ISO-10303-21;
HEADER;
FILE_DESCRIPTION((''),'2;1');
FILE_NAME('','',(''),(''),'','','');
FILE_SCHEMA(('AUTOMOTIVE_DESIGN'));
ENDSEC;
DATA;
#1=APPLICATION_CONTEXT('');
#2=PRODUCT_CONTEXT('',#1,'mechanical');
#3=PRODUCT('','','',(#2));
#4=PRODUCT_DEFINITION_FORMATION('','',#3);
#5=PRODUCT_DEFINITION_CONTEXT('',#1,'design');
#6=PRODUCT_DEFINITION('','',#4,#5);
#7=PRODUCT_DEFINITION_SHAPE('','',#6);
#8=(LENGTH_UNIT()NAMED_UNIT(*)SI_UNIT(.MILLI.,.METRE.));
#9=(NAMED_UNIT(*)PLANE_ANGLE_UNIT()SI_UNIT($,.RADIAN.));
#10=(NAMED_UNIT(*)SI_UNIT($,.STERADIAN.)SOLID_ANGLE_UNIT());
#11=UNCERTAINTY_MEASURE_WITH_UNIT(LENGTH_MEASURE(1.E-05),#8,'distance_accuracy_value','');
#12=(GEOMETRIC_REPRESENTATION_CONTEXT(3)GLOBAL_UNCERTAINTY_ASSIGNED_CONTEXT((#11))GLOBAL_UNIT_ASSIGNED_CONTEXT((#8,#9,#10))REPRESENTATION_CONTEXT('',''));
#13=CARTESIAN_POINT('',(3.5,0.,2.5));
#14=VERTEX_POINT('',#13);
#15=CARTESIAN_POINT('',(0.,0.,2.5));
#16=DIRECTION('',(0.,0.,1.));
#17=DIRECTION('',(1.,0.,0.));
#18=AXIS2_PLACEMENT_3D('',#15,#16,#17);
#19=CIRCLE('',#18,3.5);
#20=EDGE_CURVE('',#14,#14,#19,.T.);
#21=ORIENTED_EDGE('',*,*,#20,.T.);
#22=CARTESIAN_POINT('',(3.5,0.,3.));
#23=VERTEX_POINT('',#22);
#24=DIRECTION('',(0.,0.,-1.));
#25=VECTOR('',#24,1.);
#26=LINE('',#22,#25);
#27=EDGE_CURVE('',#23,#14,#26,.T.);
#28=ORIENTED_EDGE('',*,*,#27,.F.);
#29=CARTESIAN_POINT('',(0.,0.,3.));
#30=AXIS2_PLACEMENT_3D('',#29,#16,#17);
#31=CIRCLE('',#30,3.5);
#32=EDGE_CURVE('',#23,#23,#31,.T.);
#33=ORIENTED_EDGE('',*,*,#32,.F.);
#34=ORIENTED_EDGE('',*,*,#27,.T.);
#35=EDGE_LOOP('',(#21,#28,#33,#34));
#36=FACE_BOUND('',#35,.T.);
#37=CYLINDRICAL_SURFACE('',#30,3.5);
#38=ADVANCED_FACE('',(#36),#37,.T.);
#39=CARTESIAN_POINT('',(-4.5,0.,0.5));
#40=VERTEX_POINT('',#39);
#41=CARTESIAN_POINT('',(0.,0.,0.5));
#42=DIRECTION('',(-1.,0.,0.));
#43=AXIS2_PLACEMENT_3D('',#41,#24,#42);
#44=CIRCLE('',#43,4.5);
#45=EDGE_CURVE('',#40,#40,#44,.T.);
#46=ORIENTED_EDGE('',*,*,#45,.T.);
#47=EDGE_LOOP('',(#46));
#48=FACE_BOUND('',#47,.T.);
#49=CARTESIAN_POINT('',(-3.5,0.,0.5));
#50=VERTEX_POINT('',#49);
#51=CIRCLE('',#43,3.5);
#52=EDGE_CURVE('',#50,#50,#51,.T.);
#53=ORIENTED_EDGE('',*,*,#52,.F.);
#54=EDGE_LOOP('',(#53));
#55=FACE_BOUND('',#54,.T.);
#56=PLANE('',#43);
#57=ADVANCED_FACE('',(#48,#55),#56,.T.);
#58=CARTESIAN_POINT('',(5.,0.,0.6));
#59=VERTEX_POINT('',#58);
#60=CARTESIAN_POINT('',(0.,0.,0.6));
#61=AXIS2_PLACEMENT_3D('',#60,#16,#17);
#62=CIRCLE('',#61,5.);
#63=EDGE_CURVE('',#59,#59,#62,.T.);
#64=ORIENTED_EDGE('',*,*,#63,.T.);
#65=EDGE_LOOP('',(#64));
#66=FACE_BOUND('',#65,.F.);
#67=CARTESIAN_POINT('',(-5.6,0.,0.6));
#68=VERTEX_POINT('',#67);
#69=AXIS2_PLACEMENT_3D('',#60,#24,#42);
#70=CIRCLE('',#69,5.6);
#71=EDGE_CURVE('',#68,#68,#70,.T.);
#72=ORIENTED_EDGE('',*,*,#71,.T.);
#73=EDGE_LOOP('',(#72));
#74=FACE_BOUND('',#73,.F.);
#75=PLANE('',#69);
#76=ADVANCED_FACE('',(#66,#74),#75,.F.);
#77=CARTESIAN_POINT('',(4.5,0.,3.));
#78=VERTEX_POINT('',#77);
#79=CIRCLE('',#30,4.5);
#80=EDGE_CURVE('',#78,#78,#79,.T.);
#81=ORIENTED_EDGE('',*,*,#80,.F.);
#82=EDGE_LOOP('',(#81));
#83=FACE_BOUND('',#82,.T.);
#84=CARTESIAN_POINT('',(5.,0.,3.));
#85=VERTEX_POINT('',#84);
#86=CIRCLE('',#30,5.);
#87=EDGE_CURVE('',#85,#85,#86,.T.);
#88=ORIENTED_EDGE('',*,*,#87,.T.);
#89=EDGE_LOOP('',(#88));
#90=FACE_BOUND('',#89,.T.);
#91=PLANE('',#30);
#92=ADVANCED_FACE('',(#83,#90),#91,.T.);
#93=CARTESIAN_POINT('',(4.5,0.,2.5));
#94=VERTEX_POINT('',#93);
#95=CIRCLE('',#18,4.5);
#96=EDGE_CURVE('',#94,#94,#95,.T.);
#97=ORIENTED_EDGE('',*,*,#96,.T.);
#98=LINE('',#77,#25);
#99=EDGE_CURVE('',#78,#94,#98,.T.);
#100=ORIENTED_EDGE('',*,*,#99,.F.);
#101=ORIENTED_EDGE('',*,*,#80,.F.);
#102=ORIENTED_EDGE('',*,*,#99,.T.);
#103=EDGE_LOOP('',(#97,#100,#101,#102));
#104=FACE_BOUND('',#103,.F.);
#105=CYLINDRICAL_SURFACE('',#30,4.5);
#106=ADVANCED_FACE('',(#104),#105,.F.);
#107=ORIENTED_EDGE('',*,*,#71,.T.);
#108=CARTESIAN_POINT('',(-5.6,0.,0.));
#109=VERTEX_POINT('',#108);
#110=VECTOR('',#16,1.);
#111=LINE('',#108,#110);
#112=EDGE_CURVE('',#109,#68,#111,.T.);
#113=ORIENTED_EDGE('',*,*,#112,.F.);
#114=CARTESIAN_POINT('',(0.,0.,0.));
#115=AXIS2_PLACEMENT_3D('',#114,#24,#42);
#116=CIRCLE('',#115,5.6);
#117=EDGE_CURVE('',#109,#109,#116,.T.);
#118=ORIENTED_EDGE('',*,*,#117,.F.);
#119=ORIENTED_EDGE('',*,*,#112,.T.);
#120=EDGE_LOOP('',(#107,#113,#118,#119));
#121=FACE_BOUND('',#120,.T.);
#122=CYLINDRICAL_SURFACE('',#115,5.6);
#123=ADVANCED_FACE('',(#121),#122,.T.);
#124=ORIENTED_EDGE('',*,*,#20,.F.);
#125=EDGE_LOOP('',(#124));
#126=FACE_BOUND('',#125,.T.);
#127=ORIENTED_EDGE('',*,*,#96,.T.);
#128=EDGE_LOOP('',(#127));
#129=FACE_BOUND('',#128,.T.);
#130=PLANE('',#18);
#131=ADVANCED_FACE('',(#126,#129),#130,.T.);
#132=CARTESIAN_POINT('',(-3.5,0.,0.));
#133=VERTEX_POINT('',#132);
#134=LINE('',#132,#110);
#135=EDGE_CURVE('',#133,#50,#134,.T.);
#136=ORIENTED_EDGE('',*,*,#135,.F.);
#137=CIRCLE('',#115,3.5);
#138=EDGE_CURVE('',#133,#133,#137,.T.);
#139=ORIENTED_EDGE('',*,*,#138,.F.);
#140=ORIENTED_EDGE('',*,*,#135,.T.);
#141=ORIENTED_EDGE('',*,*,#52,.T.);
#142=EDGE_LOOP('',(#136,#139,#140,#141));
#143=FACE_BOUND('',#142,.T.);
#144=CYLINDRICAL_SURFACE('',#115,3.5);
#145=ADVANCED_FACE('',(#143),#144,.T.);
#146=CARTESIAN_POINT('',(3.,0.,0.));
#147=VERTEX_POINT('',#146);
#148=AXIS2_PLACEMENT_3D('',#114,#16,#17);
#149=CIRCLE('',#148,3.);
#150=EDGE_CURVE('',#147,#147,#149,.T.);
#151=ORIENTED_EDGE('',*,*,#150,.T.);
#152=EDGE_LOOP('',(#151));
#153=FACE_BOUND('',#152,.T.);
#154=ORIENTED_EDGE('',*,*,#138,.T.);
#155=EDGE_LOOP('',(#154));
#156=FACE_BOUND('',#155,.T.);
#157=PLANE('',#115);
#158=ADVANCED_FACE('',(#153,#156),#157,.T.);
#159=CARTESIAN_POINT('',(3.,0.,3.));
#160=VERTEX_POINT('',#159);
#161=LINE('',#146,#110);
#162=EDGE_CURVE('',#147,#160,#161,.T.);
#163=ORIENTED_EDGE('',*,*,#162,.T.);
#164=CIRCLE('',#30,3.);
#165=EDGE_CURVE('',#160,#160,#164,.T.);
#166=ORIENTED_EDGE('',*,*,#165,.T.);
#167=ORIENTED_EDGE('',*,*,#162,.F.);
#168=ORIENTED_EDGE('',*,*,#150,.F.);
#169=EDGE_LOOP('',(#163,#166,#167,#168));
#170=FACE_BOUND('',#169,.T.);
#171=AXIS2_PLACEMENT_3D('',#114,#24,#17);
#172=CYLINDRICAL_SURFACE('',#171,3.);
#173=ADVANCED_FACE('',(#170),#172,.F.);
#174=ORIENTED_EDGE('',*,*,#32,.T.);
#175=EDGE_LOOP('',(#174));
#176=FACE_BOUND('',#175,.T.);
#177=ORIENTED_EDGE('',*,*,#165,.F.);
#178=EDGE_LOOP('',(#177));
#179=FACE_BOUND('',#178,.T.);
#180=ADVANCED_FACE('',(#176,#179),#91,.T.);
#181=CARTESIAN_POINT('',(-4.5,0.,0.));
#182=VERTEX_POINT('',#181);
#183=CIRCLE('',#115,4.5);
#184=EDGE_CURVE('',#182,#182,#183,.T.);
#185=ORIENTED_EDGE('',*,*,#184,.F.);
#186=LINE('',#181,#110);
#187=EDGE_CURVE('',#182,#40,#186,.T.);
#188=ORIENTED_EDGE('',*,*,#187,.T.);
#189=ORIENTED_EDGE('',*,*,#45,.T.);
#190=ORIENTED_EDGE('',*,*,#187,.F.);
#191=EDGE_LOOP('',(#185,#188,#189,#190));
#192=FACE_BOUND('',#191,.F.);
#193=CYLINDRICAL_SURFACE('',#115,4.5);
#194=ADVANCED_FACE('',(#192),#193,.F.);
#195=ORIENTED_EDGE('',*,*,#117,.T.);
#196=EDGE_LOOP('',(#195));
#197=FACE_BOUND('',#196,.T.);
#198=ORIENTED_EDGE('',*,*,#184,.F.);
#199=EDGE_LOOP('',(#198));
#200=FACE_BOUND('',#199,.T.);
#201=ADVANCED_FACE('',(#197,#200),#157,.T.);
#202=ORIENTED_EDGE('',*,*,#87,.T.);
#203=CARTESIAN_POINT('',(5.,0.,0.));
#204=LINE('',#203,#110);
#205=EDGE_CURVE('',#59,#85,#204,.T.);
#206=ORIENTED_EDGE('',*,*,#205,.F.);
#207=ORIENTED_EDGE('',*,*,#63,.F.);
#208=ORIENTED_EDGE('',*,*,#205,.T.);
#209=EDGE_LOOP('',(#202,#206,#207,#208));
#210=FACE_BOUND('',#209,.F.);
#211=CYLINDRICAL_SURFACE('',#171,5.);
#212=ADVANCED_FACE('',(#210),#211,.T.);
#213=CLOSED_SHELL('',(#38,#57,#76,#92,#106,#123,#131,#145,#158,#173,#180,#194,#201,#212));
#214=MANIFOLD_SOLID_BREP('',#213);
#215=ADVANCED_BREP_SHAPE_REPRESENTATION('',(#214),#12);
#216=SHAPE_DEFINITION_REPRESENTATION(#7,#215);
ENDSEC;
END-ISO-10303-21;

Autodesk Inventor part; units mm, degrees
ref_plane "YZ Plane" through (0, 0, 0) normal (1, 0, 0) x (0, 1, 0)
ref_plane "XZ Plane" through (0, 0, 0) normal (0, 1, 0) x (-1, 0, 0)
ref_plane "XY Plane" through (0, 0, 0) normal (0, 0, 1) x (1, 0, 0)
sketch "スケッチ1" plane through (0, 0, 0) normal (0, 0, 1) x (1, 0, 0)
  circle A0 centre (0, 0) radius 3
  circle A1 centre (0, 0) radius 5
  dimension "d0" = 6
  dimension "d1" = 10
extrude "押し出し1" add sketch "スケッチ1" along normal blind 3
sketch "スケッチ2" plane through (0, 0, 0) normal (0, 0, -1) x (-1, 0, 0)
  circle A0 centre (0, 0) radius 3 projected
  circle A1 centre (0, 0) radius 5 projected
  circle A2 centre (0, 0) radius 5.6
  dimension "d4" = 11.2
extrude "押し出し2" add sketch "スケッチ2" against normal blind 0.6 contours A2
sketch "スケッチ3" plane through (0, 0, 3) normal (0, 0, 1) x (1, 0, 0)
  circle A0 centre (0, 0) radius 3 projected
  circle A1 centre (0, 0) radius 5 projected
  circle A2 centre (0, 0) radius 4.5
  circle A3 centre (0, 0) radius 3.5
  dimension "d7" = 0.5
  dimension "d8" = 0.5
extrude "押し出し3" cut sketch "スケッチ3" against normal blind 0.5 contours A2
sketch "スケッチ4" plane through (0, 0, 0) normal (0, 0, -1) x (-1, 0, 0)
  circle A0 centre (0, 0) radius 3.5 projected
  circle A1 centre (0, 0) radius 4.5 projected
extrude "押し出し4" cut sketch "スケッチ4" against normal blind 0.5
properties part number "ベアリングH　d6-D10-B3"
